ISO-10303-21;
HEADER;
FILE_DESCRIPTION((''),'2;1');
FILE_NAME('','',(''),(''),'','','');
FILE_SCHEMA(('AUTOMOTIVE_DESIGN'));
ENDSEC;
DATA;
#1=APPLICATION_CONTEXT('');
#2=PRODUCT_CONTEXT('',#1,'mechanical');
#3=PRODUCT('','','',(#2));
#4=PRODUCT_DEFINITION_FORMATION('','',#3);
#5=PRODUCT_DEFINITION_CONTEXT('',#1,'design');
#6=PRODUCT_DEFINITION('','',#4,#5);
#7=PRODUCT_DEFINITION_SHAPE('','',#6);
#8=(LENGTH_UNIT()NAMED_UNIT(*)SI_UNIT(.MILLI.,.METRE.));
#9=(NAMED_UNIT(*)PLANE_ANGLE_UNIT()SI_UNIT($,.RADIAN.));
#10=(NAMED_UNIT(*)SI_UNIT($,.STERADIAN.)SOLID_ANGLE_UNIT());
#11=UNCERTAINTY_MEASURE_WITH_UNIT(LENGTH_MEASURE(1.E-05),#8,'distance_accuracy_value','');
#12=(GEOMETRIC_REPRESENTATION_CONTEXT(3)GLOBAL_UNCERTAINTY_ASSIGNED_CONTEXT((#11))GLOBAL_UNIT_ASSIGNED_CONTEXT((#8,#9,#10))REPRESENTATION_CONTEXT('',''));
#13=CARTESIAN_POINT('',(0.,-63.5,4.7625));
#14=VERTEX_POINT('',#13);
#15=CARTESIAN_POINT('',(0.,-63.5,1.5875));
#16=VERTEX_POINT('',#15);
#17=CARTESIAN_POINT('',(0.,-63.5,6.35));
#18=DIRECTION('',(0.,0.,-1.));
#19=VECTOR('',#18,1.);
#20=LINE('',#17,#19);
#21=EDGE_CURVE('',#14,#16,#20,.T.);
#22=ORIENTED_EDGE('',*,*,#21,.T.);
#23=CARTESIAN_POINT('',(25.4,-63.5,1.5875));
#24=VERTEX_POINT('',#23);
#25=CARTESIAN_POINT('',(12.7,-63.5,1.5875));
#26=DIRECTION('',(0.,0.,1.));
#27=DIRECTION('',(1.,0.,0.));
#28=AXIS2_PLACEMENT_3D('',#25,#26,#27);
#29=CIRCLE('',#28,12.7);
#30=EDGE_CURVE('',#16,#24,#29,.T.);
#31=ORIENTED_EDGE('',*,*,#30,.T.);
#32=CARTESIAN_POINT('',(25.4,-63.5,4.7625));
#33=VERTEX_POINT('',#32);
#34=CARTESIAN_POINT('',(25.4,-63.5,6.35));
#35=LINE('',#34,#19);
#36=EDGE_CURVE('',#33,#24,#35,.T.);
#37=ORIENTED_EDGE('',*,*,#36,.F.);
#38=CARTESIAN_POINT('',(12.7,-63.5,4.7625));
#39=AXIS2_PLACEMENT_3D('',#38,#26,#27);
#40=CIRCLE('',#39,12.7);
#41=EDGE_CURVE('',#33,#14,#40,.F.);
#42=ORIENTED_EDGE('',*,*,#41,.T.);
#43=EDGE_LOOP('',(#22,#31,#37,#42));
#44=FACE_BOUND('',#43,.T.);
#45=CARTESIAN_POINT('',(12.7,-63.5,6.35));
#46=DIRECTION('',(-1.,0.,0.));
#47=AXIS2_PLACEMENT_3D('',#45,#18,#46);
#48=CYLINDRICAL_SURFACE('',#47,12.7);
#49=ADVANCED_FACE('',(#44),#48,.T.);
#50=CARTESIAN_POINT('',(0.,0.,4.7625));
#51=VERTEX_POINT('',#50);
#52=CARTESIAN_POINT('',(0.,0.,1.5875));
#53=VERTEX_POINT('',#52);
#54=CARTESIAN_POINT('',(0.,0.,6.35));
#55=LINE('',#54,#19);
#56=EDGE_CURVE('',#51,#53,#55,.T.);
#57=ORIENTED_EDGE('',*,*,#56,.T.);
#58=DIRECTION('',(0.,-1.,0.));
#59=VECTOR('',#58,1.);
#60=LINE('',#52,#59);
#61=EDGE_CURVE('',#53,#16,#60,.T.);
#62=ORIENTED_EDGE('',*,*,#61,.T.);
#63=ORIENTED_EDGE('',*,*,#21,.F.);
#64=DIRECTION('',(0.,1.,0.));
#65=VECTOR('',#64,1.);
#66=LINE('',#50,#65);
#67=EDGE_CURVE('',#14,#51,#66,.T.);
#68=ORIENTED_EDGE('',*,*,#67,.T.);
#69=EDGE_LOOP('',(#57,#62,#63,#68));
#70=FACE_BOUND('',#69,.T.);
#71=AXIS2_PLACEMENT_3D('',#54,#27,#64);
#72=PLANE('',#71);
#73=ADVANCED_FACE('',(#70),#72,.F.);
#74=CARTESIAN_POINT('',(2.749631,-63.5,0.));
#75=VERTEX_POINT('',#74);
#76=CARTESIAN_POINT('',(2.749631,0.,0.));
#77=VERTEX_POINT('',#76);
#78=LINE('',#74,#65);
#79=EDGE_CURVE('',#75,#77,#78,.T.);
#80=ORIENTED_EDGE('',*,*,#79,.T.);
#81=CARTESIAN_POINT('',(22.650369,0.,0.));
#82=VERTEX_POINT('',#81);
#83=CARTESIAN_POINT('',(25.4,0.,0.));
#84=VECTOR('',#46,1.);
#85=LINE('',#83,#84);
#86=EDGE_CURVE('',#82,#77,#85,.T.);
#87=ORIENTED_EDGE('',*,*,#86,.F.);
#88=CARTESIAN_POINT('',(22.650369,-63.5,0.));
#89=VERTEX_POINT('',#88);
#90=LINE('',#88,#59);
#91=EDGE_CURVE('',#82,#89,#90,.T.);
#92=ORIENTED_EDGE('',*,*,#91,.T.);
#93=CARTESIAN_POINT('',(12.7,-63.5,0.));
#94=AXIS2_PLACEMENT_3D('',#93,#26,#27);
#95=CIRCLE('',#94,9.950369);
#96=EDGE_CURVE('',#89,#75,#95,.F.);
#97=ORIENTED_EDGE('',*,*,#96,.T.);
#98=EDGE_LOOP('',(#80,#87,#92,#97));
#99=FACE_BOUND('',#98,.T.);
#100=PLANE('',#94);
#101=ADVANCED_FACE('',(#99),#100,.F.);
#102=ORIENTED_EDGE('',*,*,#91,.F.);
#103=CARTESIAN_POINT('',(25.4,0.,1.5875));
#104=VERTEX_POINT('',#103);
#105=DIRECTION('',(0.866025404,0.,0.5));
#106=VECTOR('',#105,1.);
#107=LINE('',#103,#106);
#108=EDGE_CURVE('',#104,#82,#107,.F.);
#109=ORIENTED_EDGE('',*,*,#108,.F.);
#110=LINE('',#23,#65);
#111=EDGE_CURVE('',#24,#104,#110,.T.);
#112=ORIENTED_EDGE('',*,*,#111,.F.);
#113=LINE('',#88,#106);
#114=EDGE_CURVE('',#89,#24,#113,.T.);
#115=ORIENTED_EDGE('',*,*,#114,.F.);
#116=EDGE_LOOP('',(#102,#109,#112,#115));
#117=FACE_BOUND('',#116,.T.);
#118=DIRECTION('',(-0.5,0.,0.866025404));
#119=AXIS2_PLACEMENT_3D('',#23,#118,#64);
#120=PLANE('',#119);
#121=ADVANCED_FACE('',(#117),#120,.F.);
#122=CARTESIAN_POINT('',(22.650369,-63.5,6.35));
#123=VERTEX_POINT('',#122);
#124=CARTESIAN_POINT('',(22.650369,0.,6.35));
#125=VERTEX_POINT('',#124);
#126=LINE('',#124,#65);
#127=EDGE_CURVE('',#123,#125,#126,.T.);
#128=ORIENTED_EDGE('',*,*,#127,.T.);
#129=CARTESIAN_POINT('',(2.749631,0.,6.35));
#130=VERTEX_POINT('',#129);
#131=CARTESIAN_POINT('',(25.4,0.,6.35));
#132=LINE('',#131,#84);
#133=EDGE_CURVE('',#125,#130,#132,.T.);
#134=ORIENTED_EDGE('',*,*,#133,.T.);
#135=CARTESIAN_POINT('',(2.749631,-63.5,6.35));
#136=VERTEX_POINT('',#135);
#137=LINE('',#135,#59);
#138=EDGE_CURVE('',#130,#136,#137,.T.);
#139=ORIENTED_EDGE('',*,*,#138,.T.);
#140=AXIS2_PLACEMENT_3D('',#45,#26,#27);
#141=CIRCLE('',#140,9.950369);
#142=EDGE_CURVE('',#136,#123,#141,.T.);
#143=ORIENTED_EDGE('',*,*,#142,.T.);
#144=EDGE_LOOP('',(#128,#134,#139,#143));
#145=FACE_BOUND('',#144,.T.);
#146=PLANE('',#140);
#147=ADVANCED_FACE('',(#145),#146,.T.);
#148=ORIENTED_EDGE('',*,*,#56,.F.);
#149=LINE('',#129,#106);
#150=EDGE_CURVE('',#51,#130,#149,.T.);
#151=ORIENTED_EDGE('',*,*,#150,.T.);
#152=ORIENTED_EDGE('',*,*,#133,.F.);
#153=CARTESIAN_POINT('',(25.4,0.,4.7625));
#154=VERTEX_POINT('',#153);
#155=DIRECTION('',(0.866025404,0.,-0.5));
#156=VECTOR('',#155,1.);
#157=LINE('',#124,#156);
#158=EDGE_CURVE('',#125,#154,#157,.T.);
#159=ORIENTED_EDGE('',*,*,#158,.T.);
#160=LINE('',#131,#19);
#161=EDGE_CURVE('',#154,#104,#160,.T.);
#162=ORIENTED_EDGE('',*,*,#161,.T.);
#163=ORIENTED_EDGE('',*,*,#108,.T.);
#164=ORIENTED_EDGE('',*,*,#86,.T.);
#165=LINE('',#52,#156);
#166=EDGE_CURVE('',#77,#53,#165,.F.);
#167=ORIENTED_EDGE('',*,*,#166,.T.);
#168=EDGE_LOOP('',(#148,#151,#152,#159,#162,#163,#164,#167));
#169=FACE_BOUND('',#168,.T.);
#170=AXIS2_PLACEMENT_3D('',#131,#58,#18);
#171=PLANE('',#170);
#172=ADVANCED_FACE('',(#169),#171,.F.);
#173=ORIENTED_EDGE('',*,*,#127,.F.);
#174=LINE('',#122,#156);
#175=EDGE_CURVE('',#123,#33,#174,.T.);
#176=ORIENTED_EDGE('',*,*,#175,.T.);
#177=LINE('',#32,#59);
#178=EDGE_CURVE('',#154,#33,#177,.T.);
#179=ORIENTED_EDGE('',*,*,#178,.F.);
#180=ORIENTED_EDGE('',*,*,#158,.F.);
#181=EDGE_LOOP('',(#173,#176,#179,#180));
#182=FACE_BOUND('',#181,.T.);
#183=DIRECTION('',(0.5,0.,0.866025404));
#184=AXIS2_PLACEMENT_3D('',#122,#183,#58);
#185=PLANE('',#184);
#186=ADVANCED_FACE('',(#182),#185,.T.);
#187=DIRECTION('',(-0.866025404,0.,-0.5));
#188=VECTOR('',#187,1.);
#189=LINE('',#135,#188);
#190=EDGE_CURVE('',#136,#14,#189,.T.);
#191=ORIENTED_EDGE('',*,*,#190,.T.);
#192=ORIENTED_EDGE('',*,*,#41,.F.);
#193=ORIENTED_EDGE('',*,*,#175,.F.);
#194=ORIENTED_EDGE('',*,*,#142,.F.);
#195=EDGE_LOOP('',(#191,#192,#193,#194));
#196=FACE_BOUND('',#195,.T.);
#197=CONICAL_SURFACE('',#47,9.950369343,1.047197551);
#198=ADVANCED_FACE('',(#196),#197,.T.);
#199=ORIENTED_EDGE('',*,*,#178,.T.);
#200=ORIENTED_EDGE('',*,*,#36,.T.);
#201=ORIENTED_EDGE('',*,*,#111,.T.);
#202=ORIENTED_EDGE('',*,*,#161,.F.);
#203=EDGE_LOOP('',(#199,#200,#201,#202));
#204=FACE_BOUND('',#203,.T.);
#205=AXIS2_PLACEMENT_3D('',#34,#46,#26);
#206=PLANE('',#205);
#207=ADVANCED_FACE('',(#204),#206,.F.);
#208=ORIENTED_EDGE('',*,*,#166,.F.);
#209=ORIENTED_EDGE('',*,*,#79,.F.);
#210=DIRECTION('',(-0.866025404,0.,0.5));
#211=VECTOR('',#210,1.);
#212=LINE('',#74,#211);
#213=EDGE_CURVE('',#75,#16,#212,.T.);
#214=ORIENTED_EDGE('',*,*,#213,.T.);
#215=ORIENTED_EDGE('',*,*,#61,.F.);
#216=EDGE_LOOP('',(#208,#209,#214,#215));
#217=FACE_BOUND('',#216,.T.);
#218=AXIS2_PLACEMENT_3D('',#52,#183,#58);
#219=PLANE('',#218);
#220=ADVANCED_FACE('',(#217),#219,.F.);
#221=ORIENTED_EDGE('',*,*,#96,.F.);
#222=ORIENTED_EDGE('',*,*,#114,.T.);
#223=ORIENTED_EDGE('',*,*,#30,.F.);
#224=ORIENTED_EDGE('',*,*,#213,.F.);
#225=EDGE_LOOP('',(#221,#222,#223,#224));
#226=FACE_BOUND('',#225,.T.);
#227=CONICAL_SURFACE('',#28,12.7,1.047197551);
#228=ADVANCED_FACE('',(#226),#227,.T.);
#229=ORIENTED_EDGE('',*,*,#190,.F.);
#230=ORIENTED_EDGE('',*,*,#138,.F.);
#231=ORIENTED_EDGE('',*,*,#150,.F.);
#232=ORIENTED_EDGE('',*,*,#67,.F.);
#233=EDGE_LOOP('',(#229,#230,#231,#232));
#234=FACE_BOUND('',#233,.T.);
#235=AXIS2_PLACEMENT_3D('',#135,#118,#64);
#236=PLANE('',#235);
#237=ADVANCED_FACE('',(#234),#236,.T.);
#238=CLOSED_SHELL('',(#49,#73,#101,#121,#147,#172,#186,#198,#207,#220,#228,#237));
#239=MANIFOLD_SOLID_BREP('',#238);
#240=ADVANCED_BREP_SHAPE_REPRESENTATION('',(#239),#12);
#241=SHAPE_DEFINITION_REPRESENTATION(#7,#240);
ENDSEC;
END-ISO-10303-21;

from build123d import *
from OCP.BRepFilletAPI import BRepFilletAPI_MakeChamfer

# Parameters (mm, degrees)
BOSS_EXTRUDE1_DEPTH = 6.35
CHAMFER1_SIZE       = 1.5875
CHAMFER1_SIZE2      = 2.749630657
CHAMFER2_SIZE       = 1.5875
CHAMFER2_SIZE2      = 2.749630657


with BuildPart() as part:
    # Sketch1 → Boss-Extrude1 (new body)
    with BuildSketch(Plane.XY):
        with BuildLine():
            Line((0, 0), (0, -63.5))
            ThreePointArc((0, -63.5), (12.7, -76.2), (25.4, -63.5))
            Line((25.4, -63.5), (25.4, 0))
            Line((25.4, 0), (0, 0))
        make_face()
    extrude(amount=BOSS_EXTRUDE1_DEPTH)

    # Chamfer1: one chamfer whose edges measure the first distance from different faces: ONE call of the kernel's chamfer builder (chamfer() names one face for all edges)
    chamfer1_edges_1 = [part.edges().sort_by_distance(p)[0] for p in [
        (12.7, -76.2, 6.35),
    ]]
    chamfer1_side_1 = [part.faces().sort_by_distance(p)[0] for p in [
        (12.7, -76.2, 3.175),
    ]]
    chamfer1_edges_2 = [part.edges().sort_by_distance(p)[0] for p in [
        (25.4, -31.75, 6.35),
    ]]
    chamfer1_side_2 = [part.faces().sort_by_distance(p)[0] for p in [
        (25.4, -31.75, 3.175),
    ]]
    chamfer1_edges_3 = [part.edges().sort_by_distance(p)[0] for p in [
        (0, -31.75, 6.35),
    ]]
    chamfer1_side_3 = [part.faces().sort_by_distance(p)[0] for p in [
        (0, -31.75, 3.175),
    ]]
    chamfer1 = BRepFilletAPI_MakeChamfer(part.part.solid().wrapped)
    for e in chamfer1_edges_1:
        chamfer1.Add(CHAMFER1_SIZE, CHAMFER1_SIZE2, e.wrapped, chamfer1_side_1[0].wrapped)  # the first distance lies on this face
    for e in chamfer1_edges_2:
        chamfer1.Add(CHAMFER1_SIZE, CHAMFER1_SIZE2, e.wrapped, chamfer1_side_2[0].wrapped)  # the first distance lies on this face
    for e in chamfer1_edges_3:
        chamfer1.Add(CHAMFER1_SIZE, CHAMFER1_SIZE2, e.wrapped, chamfer1_side_3[0].wrapped)  # the first distance lies on this face
    add(Compound.cast(chamfer1.Shape()), mode=Mode.REPLACE)

    # Chamfer2: one chamfer whose edges measure the first distance from different faces: ONE call of the kernel's chamfer builder (chamfer() names one face for all edges)
    chamfer2_edges_1 = [part.edges().sort_by_distance(p)[0] for p in [
        (25.4, -31.75, 0),
    ]]
    chamfer2_side_1 = [part.faces().sort_by_distance(p)[0] for p in [
        (25.4, -31.75, 2.38125),
    ]]
    chamfer2_edges_2 = [part.edges().sort_by_distance(p)[0] for p in [
        (12.7, -76.2, 0),
    ]]
    chamfer2_side_2 = [part.faces().sort_by_distance(p)[0] for p in [
        (12.7, -76.2, 2.38125),
    ]]
    chamfer2_edges_3 = [part.edges().sort_by_distance(p)[0] for p in [
        (0, -31.75, 0),
    ]]
    chamfer2_side_3 = [part.faces().sort_by_distance(p)[0] for p in [
        (0, -31.75, 2.38125),
    ]]
    chamfer2 = BRepFilletAPI_MakeChamfer(part.part.solid().wrapped)
    for e in chamfer2_edges_1:
        chamfer2.Add(CHAMFER2_SIZE, CHAMFER2_SIZE2, e.wrapped, chamfer2_side_1[0].wrapped)  # the first distance lies on this face
    for e in chamfer2_edges_2:
        chamfer2.Add(CHAMFER2_SIZE, CHAMFER2_SIZE2, e.wrapped, chamfer2_side_2[0].wrapped)  # the first distance lies on this face
    for e in chamfer2_edges_3:
        chamfer2.Add(CHAMFER2_SIZE, CHAMFER2_SIZE2, e.wrapped, chamfer2_side_3[0].wrapped)  # the first distance lies on this face
    add(Compound.cast(chamfer2.Shape()), mode=Mode.REPLACE)


solid = part.part
